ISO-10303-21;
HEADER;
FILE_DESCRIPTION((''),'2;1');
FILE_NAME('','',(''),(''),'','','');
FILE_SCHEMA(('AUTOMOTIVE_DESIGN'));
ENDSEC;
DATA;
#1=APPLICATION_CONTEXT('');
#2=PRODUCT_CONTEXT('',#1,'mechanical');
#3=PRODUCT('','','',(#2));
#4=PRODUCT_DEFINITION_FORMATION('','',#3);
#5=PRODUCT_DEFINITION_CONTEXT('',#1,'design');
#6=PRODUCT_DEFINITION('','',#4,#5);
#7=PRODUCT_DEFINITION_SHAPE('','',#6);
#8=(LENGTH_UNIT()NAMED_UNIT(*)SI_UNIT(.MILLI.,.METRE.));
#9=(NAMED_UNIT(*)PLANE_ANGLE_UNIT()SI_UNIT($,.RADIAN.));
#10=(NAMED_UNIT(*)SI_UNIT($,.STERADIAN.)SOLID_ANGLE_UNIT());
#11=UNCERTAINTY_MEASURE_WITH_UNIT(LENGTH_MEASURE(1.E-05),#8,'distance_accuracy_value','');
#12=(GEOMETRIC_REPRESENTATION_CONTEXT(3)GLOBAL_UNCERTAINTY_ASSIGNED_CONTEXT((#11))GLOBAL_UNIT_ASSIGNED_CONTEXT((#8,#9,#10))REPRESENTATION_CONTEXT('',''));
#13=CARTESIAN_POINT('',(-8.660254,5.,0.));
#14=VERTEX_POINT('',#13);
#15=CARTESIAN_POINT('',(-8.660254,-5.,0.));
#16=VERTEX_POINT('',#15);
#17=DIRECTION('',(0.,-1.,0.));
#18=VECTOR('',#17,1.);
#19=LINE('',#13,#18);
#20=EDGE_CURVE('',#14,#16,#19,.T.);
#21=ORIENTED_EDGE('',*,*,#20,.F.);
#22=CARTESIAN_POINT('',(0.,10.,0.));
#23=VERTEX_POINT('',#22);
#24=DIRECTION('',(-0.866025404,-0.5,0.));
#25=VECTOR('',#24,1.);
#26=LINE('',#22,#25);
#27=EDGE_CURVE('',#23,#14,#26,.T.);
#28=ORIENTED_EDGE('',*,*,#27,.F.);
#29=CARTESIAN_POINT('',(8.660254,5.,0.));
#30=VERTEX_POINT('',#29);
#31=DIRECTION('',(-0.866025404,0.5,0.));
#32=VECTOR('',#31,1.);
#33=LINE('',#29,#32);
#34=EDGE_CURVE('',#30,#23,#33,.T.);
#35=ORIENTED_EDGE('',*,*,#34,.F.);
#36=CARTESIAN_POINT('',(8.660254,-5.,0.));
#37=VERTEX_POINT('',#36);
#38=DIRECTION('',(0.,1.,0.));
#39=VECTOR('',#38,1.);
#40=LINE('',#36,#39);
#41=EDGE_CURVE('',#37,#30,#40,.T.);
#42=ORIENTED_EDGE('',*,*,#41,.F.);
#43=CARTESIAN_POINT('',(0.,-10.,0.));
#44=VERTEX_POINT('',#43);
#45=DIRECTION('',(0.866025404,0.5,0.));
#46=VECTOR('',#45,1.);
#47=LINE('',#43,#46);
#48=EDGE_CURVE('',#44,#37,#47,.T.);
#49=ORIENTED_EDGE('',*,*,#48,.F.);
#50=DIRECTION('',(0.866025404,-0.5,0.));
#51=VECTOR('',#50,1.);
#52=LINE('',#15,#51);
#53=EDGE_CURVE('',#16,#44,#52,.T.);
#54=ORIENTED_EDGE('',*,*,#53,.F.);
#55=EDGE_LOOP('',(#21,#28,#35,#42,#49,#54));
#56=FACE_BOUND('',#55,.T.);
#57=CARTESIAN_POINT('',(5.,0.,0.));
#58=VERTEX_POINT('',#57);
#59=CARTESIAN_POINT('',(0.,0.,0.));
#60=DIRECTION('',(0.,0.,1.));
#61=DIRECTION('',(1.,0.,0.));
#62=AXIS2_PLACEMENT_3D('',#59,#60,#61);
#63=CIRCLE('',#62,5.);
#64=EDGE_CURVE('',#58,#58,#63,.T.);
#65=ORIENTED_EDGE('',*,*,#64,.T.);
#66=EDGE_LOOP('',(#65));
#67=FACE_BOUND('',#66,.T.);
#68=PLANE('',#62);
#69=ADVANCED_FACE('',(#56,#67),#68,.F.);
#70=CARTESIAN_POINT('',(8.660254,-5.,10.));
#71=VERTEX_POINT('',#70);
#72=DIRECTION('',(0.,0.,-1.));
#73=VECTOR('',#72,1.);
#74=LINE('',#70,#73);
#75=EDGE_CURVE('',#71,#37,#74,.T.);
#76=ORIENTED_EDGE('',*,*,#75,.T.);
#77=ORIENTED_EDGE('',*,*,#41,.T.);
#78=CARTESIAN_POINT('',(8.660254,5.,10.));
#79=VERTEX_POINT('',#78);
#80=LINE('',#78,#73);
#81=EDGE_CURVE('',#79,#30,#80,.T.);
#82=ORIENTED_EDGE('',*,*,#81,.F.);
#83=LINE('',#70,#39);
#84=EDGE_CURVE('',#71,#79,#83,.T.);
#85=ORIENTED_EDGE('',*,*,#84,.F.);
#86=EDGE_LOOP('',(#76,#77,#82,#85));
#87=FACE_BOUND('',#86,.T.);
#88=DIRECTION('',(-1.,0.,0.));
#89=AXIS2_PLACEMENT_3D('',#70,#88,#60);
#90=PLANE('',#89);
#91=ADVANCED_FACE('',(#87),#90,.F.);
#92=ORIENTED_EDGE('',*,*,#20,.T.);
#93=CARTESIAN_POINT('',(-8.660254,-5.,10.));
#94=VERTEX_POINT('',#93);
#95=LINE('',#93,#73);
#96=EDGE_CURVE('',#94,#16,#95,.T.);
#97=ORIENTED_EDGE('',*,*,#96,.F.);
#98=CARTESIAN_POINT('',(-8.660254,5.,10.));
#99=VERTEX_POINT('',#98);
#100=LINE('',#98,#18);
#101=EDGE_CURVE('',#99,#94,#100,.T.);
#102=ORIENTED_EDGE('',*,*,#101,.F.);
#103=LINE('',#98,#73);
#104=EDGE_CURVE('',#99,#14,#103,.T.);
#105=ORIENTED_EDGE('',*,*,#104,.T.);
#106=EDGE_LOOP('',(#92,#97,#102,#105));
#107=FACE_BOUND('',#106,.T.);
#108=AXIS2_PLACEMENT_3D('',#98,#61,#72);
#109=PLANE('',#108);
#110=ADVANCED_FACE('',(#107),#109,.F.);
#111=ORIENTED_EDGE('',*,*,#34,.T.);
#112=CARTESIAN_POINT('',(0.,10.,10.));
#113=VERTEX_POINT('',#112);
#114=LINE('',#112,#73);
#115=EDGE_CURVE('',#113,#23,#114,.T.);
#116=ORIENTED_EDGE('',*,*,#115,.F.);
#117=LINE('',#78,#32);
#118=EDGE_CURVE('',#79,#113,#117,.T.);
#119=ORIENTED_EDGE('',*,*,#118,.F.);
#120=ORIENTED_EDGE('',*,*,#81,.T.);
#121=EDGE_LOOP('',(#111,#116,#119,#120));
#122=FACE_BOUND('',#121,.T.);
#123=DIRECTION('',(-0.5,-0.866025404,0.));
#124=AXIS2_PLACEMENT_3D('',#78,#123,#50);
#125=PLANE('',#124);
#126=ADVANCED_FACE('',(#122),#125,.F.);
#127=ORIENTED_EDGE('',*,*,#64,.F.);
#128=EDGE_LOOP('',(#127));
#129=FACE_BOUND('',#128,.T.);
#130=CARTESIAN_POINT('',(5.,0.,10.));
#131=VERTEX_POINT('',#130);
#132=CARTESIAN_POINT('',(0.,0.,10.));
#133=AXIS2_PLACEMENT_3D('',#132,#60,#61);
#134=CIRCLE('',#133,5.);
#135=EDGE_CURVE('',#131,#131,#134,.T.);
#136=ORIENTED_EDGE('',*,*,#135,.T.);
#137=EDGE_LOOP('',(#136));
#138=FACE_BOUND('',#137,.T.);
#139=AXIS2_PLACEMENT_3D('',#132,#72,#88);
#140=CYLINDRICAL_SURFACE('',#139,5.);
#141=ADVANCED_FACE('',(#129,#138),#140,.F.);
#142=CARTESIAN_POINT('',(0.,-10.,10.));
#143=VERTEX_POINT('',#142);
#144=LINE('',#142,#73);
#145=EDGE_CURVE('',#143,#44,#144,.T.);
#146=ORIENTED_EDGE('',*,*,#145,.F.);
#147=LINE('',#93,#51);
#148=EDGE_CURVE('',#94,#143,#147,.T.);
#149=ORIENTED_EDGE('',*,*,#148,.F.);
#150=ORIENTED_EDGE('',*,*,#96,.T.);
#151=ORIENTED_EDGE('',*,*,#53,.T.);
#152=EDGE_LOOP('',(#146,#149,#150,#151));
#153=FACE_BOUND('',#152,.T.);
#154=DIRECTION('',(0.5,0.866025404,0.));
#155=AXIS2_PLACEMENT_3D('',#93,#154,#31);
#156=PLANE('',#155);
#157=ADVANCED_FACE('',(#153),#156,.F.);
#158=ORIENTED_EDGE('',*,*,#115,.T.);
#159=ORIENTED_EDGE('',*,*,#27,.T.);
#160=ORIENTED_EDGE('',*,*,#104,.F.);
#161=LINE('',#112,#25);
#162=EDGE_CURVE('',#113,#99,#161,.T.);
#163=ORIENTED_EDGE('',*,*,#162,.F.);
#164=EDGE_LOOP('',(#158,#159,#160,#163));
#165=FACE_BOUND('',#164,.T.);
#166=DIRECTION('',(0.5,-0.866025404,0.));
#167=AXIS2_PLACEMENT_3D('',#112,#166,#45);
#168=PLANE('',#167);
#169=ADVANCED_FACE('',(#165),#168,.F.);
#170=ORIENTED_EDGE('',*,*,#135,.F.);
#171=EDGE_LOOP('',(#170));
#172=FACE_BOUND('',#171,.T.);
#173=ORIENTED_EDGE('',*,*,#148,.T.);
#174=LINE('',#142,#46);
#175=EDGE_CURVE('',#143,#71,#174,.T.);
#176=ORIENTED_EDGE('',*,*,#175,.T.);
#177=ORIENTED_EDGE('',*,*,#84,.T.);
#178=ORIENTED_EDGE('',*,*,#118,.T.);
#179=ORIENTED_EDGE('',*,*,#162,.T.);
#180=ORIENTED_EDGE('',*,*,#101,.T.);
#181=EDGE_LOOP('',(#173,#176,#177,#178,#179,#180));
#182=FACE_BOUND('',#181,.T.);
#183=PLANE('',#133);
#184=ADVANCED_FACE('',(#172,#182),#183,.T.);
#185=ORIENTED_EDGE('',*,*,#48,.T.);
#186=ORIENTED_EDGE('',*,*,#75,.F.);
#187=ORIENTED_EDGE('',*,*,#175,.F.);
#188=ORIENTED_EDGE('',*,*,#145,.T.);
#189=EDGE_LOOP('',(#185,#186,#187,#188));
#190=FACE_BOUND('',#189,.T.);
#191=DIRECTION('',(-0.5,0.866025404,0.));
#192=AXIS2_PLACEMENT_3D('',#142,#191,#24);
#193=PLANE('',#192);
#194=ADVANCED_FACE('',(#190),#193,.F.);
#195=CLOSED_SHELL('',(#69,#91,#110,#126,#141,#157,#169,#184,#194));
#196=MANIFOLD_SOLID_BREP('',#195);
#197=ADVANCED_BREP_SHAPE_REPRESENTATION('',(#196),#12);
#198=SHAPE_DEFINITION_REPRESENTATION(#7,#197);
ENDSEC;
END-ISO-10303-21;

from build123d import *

# Parameters (mm, degrees)
SKETCH1_R           = 5
BOSS_EXTRUDE1_DEPTH = 10


with BuildPart() as part:
    # Sketch1 → Boss-Extrude1 (new body)
    with BuildSketch(Plane.XY):
        Polygon((8.660254038, 5), (0, 10), (-8.660254038, 5), (-8.660254038, -5), (0, -10), (8.660254038, -5), align=None)
        Circle(SKETCH1_R, mode=Mode.SUBTRACT)
    extrude(amount=BOSS_EXTRUDE1_DEPTH)


solid = part.part
